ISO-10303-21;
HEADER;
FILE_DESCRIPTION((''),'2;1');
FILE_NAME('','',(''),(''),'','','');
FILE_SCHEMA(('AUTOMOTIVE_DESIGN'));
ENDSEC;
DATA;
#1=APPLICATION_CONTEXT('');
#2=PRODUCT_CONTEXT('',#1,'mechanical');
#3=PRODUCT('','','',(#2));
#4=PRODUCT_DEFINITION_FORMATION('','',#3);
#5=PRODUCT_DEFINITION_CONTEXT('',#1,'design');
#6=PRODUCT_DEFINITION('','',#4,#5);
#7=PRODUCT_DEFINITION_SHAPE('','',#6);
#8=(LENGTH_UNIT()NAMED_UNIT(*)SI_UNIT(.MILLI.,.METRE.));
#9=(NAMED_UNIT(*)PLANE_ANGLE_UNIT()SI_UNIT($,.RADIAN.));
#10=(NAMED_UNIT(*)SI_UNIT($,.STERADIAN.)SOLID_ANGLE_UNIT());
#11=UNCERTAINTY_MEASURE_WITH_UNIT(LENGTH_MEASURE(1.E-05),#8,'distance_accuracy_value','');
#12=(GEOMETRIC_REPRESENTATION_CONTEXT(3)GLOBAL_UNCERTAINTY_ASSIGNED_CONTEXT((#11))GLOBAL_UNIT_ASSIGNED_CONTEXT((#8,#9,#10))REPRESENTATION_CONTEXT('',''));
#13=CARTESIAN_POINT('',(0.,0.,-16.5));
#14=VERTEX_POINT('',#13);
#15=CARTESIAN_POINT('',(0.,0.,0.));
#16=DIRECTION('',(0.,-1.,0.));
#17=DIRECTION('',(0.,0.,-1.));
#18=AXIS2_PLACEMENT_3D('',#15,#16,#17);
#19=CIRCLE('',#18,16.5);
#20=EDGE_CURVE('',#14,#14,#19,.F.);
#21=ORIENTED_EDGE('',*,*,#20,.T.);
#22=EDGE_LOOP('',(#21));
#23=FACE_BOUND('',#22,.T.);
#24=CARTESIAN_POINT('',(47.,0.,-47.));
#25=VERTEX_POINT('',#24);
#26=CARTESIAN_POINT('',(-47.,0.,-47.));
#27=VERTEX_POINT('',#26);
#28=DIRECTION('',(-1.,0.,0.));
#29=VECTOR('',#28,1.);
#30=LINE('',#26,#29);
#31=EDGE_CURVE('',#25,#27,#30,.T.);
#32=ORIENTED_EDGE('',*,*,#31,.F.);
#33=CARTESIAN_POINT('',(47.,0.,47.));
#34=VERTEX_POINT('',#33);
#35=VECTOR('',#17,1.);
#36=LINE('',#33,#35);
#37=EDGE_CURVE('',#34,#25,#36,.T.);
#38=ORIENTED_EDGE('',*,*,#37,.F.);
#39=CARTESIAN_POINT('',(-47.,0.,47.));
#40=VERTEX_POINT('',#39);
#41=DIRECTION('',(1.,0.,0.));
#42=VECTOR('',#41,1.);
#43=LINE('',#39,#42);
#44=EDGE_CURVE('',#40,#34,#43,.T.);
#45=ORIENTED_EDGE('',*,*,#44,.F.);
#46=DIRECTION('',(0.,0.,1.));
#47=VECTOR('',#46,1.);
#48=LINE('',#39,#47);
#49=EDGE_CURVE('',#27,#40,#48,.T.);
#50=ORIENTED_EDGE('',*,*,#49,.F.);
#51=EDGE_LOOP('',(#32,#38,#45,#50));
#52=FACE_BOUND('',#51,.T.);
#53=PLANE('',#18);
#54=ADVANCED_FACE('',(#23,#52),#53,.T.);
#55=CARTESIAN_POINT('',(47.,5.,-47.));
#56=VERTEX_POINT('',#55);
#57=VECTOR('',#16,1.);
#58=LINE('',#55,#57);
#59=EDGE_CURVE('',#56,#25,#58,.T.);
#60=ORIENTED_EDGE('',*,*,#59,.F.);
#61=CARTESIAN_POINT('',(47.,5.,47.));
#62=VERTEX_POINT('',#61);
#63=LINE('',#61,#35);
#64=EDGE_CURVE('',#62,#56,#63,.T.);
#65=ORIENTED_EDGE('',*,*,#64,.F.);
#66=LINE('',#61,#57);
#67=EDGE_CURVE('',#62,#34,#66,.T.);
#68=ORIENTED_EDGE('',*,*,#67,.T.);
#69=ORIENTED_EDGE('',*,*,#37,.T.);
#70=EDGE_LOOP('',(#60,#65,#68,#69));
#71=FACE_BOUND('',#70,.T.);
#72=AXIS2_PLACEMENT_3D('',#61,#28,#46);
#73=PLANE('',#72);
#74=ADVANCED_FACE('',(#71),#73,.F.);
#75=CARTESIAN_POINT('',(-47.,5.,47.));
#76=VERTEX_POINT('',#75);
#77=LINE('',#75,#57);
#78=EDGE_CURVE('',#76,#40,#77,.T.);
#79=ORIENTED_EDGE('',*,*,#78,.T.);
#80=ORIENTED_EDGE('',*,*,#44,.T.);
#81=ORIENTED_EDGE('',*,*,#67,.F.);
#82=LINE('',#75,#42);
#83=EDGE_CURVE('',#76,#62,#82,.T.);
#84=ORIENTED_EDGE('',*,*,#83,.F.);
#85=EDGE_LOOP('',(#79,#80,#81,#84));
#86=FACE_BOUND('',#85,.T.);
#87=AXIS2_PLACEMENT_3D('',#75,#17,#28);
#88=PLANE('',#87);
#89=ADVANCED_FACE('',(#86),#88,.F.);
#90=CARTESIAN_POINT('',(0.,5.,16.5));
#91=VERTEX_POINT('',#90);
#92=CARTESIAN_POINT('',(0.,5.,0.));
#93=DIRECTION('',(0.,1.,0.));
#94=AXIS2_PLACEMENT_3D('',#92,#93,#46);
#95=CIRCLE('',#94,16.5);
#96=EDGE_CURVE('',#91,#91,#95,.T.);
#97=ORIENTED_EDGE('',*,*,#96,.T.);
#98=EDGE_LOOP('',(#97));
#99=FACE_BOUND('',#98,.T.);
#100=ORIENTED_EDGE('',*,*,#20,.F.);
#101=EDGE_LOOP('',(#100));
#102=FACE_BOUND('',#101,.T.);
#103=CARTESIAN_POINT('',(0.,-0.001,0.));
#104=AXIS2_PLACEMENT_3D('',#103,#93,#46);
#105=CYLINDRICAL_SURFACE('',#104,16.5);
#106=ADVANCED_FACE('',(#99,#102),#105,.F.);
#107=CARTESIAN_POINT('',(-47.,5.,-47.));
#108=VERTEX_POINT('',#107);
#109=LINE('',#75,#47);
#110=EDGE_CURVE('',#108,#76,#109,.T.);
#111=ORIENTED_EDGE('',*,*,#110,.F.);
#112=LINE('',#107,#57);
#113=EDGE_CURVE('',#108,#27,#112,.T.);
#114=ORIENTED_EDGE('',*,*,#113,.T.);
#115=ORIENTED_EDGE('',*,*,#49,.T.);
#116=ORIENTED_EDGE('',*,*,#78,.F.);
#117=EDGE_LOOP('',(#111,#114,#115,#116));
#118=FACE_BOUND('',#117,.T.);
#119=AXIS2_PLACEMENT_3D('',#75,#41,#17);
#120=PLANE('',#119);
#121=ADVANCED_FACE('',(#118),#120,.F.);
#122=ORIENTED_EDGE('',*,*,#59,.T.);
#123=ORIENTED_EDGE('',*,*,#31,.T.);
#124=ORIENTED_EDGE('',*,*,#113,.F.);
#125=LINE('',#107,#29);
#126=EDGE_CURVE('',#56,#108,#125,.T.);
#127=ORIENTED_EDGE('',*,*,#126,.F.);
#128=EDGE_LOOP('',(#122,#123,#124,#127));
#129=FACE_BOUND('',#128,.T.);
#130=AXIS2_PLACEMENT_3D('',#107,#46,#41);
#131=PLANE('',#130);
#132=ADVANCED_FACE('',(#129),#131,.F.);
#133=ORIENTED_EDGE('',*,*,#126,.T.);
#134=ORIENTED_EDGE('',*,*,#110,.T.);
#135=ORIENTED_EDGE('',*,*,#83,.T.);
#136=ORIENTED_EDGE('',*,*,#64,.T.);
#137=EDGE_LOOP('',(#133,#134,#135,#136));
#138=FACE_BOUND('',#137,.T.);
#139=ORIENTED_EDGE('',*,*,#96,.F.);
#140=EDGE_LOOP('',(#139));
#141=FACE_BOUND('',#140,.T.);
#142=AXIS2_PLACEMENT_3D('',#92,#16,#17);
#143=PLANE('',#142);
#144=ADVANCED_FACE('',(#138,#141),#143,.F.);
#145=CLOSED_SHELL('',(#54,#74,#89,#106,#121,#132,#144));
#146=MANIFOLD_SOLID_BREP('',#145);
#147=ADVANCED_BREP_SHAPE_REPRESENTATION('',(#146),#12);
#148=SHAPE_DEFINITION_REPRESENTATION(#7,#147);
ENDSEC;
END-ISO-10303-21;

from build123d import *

# Parameters (mm, degrees)
SKETCH1_W           = 94
SKETCH1_H           = 94
BOSS_EXTRUDE1_DEPTH = 5
CUT_EXTRUDE1_REACH  = 68.656
SKETCH2_R           = 16.5


with BuildPart() as part:
    # Sketch1 → Boss-Extrude1 (new body)
    with BuildSketch(Plane(origin=(0, 0, 0), x_dir=(1, 0, 0), z_dir=(0, 1, 0))):
        Rectangle(SKETCH1_W, SKETCH1_H)
    extrude(amount=BOSS_EXTRUDE1_DEPTH)

    # Sketch2 → Cut-Extrude1 (cut, up to next)
    with BuildSketch(Plane(origin=(0, 5, 0), x_dir=(1, 0, 0), z_dir=(0, 1, 0)), mode=Mode.PRIVATE) as cut_extrude1_sk1:
        with Locations(Location((0, 0, 0), (0, 0, 270))):
            Circle(SKETCH2_R)
    cut_extrude1_tool1 = extrude(cut_extrude1_sk1.sketch, amount=-CUT_EXTRUDE1_REACH, mode=Mode.PRIVATE) & part.part
    add(cut_extrude1_tool1.solids().sort_by_distance((0, 5, 0))[0], mode=Mode.SUBTRACT)


solid = part.part
